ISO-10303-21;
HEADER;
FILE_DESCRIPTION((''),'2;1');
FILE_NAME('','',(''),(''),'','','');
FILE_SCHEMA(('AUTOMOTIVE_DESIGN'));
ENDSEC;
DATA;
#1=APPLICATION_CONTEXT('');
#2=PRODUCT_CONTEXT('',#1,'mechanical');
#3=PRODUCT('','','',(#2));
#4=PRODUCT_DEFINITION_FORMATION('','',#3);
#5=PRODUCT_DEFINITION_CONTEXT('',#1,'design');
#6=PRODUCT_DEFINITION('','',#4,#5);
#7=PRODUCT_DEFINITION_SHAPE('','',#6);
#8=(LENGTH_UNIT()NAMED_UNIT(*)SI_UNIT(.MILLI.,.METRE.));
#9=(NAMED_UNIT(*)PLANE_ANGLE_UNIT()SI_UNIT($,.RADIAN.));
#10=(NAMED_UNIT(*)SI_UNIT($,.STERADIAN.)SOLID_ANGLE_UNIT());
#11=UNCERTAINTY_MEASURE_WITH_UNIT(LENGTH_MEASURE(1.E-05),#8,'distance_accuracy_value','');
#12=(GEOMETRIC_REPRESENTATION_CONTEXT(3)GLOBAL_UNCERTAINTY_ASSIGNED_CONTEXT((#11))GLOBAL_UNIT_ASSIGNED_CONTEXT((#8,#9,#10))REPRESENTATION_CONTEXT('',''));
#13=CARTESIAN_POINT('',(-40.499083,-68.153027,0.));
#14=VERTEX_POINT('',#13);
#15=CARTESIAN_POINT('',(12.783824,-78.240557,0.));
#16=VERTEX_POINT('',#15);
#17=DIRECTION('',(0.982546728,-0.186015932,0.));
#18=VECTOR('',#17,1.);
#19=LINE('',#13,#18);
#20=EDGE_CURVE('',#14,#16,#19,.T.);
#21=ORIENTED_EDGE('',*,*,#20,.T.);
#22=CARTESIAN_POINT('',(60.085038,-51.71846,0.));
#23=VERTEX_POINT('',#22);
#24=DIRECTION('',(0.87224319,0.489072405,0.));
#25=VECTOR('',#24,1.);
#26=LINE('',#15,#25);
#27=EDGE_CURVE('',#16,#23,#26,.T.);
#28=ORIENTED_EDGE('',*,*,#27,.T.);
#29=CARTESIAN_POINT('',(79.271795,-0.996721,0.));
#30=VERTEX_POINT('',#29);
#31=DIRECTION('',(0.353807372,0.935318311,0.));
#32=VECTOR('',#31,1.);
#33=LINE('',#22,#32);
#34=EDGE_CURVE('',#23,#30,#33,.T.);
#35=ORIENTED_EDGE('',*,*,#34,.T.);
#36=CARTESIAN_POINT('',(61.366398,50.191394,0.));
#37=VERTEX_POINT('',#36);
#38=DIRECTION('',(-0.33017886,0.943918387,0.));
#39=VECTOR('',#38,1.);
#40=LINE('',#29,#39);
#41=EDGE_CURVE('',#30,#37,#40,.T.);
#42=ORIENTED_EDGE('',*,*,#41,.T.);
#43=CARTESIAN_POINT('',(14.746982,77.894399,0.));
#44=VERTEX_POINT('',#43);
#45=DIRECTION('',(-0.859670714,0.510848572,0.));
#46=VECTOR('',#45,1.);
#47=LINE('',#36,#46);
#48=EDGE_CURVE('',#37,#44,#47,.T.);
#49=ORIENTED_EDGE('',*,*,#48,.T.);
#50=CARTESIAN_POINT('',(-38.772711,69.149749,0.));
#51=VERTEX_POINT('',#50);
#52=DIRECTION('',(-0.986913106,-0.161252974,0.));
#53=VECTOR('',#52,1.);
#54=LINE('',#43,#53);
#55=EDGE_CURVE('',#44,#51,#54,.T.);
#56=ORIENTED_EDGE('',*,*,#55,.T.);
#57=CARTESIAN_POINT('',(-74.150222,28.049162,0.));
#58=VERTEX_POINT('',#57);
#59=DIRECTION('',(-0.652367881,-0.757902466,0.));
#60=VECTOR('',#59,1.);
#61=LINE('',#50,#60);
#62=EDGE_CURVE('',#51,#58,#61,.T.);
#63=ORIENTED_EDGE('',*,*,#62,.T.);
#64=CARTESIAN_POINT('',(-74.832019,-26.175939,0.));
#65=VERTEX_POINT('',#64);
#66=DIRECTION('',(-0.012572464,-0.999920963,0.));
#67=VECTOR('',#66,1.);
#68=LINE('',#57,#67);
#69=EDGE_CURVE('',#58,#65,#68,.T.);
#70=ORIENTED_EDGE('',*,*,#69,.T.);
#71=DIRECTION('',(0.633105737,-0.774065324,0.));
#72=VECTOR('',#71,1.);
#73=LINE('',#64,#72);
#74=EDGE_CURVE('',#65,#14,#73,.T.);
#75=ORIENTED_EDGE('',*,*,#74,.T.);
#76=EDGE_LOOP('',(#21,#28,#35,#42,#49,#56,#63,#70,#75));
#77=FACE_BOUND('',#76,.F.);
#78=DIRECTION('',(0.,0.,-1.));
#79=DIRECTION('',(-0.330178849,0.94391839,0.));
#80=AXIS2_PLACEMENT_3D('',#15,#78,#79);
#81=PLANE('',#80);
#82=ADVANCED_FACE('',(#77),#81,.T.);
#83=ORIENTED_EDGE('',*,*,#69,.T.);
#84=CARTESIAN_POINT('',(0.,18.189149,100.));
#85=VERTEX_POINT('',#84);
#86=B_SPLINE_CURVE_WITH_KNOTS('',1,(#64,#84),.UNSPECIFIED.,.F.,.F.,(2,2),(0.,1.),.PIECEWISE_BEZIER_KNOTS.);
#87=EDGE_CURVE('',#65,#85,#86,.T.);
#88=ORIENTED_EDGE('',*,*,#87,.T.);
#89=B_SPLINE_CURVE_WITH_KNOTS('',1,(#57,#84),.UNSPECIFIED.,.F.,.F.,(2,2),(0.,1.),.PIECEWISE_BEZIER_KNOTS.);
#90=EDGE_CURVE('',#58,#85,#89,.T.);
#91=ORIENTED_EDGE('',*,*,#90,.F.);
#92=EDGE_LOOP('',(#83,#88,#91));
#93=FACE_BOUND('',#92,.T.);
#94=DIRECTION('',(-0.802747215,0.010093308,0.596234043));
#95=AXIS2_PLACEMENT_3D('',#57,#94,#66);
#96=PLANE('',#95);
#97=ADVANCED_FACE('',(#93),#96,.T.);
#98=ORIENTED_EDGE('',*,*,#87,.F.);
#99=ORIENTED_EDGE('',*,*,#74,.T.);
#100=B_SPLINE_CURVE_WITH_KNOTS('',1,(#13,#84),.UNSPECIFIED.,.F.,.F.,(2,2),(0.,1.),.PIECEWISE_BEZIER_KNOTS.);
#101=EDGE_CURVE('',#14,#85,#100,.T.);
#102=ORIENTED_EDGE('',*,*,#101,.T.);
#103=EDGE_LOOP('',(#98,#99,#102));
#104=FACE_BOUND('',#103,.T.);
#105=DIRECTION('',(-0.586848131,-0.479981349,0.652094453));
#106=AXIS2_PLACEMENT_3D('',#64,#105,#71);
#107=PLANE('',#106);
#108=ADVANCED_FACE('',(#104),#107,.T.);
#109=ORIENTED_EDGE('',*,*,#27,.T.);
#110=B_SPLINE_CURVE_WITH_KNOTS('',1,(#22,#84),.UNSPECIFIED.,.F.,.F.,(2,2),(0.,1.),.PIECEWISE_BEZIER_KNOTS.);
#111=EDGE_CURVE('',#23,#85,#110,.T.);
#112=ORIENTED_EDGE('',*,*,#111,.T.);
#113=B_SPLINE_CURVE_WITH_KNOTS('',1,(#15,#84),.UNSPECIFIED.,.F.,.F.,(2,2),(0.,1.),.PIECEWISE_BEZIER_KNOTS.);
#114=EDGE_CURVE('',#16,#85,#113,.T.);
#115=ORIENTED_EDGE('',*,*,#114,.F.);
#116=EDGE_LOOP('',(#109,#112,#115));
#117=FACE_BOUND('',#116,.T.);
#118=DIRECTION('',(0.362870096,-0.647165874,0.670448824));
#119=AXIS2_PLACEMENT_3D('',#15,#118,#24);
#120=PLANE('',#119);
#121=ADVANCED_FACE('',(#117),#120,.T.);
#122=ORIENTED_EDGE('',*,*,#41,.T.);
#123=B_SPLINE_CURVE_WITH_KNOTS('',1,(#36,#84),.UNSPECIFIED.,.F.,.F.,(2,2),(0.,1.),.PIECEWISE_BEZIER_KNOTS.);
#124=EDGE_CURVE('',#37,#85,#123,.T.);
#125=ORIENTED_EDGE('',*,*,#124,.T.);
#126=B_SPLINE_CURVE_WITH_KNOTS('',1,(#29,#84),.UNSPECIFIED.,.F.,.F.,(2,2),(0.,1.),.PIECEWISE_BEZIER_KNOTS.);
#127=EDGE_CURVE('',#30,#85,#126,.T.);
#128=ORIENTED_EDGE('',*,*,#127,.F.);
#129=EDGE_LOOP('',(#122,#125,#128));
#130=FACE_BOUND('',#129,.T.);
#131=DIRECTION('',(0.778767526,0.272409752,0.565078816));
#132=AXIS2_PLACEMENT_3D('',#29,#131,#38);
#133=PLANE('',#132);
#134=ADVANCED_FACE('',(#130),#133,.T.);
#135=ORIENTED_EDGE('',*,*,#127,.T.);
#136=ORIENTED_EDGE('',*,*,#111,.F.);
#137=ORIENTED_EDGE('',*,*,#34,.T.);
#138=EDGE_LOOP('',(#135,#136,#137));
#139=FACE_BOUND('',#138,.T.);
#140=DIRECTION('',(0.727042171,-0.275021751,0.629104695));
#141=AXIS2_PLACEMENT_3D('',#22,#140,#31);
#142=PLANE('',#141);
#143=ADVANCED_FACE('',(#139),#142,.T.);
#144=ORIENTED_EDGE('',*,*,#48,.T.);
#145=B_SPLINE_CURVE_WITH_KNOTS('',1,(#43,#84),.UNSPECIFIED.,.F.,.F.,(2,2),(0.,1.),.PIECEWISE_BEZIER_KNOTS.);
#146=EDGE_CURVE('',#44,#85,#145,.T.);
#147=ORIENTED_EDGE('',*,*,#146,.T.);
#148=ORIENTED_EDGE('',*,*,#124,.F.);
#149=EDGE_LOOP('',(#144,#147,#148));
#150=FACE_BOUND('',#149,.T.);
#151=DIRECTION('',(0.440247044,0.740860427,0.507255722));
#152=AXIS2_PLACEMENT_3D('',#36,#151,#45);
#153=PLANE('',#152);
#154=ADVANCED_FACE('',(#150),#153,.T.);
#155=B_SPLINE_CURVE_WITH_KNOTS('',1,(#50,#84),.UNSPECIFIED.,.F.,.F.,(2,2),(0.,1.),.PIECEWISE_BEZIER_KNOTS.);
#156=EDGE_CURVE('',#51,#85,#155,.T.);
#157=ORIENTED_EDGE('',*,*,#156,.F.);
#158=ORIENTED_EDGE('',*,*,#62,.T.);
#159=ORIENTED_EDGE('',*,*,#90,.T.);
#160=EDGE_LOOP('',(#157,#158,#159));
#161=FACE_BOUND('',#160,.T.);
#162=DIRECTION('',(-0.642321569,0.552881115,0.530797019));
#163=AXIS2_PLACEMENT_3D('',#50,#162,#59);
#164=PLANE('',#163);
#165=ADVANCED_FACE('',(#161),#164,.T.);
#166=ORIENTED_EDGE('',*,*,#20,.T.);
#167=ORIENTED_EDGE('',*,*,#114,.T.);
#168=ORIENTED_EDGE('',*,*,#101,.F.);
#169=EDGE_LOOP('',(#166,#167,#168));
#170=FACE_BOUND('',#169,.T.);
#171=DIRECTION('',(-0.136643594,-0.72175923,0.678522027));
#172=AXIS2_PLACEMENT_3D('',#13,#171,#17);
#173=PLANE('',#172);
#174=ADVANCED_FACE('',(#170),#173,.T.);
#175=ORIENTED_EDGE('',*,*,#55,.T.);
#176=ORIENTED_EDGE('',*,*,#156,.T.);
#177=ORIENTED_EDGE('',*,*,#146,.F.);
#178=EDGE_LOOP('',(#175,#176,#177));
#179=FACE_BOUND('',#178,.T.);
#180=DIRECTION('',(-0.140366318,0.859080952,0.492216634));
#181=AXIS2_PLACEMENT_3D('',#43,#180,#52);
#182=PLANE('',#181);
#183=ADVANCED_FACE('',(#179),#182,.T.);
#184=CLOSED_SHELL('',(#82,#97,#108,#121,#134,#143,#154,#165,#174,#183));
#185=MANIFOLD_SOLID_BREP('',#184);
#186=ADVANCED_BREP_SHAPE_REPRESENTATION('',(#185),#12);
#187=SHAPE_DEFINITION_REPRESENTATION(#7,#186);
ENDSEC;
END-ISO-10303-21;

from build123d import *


with BuildPart() as f3:
    # F0 (on Top) → F3 section 0
    with BuildSketch(Plane.XY, mode=Mode.PRIVATE) as f3_s0:
        Polygon((12.783824, -78.240557), (60.085038, -51.71846), (79.271795, -0.996721), (61.366398, 50.191394), (14.746982, 77.894399), (-38.772711, 69.149749), (-74.150222, 28.049162), (-74.832019, -26.175939), (-40.499083, -68.153027), align=None)
    loft([f3_s0.sketch, Vertex(0, 18.189149, 100)])


solid = f3.part
